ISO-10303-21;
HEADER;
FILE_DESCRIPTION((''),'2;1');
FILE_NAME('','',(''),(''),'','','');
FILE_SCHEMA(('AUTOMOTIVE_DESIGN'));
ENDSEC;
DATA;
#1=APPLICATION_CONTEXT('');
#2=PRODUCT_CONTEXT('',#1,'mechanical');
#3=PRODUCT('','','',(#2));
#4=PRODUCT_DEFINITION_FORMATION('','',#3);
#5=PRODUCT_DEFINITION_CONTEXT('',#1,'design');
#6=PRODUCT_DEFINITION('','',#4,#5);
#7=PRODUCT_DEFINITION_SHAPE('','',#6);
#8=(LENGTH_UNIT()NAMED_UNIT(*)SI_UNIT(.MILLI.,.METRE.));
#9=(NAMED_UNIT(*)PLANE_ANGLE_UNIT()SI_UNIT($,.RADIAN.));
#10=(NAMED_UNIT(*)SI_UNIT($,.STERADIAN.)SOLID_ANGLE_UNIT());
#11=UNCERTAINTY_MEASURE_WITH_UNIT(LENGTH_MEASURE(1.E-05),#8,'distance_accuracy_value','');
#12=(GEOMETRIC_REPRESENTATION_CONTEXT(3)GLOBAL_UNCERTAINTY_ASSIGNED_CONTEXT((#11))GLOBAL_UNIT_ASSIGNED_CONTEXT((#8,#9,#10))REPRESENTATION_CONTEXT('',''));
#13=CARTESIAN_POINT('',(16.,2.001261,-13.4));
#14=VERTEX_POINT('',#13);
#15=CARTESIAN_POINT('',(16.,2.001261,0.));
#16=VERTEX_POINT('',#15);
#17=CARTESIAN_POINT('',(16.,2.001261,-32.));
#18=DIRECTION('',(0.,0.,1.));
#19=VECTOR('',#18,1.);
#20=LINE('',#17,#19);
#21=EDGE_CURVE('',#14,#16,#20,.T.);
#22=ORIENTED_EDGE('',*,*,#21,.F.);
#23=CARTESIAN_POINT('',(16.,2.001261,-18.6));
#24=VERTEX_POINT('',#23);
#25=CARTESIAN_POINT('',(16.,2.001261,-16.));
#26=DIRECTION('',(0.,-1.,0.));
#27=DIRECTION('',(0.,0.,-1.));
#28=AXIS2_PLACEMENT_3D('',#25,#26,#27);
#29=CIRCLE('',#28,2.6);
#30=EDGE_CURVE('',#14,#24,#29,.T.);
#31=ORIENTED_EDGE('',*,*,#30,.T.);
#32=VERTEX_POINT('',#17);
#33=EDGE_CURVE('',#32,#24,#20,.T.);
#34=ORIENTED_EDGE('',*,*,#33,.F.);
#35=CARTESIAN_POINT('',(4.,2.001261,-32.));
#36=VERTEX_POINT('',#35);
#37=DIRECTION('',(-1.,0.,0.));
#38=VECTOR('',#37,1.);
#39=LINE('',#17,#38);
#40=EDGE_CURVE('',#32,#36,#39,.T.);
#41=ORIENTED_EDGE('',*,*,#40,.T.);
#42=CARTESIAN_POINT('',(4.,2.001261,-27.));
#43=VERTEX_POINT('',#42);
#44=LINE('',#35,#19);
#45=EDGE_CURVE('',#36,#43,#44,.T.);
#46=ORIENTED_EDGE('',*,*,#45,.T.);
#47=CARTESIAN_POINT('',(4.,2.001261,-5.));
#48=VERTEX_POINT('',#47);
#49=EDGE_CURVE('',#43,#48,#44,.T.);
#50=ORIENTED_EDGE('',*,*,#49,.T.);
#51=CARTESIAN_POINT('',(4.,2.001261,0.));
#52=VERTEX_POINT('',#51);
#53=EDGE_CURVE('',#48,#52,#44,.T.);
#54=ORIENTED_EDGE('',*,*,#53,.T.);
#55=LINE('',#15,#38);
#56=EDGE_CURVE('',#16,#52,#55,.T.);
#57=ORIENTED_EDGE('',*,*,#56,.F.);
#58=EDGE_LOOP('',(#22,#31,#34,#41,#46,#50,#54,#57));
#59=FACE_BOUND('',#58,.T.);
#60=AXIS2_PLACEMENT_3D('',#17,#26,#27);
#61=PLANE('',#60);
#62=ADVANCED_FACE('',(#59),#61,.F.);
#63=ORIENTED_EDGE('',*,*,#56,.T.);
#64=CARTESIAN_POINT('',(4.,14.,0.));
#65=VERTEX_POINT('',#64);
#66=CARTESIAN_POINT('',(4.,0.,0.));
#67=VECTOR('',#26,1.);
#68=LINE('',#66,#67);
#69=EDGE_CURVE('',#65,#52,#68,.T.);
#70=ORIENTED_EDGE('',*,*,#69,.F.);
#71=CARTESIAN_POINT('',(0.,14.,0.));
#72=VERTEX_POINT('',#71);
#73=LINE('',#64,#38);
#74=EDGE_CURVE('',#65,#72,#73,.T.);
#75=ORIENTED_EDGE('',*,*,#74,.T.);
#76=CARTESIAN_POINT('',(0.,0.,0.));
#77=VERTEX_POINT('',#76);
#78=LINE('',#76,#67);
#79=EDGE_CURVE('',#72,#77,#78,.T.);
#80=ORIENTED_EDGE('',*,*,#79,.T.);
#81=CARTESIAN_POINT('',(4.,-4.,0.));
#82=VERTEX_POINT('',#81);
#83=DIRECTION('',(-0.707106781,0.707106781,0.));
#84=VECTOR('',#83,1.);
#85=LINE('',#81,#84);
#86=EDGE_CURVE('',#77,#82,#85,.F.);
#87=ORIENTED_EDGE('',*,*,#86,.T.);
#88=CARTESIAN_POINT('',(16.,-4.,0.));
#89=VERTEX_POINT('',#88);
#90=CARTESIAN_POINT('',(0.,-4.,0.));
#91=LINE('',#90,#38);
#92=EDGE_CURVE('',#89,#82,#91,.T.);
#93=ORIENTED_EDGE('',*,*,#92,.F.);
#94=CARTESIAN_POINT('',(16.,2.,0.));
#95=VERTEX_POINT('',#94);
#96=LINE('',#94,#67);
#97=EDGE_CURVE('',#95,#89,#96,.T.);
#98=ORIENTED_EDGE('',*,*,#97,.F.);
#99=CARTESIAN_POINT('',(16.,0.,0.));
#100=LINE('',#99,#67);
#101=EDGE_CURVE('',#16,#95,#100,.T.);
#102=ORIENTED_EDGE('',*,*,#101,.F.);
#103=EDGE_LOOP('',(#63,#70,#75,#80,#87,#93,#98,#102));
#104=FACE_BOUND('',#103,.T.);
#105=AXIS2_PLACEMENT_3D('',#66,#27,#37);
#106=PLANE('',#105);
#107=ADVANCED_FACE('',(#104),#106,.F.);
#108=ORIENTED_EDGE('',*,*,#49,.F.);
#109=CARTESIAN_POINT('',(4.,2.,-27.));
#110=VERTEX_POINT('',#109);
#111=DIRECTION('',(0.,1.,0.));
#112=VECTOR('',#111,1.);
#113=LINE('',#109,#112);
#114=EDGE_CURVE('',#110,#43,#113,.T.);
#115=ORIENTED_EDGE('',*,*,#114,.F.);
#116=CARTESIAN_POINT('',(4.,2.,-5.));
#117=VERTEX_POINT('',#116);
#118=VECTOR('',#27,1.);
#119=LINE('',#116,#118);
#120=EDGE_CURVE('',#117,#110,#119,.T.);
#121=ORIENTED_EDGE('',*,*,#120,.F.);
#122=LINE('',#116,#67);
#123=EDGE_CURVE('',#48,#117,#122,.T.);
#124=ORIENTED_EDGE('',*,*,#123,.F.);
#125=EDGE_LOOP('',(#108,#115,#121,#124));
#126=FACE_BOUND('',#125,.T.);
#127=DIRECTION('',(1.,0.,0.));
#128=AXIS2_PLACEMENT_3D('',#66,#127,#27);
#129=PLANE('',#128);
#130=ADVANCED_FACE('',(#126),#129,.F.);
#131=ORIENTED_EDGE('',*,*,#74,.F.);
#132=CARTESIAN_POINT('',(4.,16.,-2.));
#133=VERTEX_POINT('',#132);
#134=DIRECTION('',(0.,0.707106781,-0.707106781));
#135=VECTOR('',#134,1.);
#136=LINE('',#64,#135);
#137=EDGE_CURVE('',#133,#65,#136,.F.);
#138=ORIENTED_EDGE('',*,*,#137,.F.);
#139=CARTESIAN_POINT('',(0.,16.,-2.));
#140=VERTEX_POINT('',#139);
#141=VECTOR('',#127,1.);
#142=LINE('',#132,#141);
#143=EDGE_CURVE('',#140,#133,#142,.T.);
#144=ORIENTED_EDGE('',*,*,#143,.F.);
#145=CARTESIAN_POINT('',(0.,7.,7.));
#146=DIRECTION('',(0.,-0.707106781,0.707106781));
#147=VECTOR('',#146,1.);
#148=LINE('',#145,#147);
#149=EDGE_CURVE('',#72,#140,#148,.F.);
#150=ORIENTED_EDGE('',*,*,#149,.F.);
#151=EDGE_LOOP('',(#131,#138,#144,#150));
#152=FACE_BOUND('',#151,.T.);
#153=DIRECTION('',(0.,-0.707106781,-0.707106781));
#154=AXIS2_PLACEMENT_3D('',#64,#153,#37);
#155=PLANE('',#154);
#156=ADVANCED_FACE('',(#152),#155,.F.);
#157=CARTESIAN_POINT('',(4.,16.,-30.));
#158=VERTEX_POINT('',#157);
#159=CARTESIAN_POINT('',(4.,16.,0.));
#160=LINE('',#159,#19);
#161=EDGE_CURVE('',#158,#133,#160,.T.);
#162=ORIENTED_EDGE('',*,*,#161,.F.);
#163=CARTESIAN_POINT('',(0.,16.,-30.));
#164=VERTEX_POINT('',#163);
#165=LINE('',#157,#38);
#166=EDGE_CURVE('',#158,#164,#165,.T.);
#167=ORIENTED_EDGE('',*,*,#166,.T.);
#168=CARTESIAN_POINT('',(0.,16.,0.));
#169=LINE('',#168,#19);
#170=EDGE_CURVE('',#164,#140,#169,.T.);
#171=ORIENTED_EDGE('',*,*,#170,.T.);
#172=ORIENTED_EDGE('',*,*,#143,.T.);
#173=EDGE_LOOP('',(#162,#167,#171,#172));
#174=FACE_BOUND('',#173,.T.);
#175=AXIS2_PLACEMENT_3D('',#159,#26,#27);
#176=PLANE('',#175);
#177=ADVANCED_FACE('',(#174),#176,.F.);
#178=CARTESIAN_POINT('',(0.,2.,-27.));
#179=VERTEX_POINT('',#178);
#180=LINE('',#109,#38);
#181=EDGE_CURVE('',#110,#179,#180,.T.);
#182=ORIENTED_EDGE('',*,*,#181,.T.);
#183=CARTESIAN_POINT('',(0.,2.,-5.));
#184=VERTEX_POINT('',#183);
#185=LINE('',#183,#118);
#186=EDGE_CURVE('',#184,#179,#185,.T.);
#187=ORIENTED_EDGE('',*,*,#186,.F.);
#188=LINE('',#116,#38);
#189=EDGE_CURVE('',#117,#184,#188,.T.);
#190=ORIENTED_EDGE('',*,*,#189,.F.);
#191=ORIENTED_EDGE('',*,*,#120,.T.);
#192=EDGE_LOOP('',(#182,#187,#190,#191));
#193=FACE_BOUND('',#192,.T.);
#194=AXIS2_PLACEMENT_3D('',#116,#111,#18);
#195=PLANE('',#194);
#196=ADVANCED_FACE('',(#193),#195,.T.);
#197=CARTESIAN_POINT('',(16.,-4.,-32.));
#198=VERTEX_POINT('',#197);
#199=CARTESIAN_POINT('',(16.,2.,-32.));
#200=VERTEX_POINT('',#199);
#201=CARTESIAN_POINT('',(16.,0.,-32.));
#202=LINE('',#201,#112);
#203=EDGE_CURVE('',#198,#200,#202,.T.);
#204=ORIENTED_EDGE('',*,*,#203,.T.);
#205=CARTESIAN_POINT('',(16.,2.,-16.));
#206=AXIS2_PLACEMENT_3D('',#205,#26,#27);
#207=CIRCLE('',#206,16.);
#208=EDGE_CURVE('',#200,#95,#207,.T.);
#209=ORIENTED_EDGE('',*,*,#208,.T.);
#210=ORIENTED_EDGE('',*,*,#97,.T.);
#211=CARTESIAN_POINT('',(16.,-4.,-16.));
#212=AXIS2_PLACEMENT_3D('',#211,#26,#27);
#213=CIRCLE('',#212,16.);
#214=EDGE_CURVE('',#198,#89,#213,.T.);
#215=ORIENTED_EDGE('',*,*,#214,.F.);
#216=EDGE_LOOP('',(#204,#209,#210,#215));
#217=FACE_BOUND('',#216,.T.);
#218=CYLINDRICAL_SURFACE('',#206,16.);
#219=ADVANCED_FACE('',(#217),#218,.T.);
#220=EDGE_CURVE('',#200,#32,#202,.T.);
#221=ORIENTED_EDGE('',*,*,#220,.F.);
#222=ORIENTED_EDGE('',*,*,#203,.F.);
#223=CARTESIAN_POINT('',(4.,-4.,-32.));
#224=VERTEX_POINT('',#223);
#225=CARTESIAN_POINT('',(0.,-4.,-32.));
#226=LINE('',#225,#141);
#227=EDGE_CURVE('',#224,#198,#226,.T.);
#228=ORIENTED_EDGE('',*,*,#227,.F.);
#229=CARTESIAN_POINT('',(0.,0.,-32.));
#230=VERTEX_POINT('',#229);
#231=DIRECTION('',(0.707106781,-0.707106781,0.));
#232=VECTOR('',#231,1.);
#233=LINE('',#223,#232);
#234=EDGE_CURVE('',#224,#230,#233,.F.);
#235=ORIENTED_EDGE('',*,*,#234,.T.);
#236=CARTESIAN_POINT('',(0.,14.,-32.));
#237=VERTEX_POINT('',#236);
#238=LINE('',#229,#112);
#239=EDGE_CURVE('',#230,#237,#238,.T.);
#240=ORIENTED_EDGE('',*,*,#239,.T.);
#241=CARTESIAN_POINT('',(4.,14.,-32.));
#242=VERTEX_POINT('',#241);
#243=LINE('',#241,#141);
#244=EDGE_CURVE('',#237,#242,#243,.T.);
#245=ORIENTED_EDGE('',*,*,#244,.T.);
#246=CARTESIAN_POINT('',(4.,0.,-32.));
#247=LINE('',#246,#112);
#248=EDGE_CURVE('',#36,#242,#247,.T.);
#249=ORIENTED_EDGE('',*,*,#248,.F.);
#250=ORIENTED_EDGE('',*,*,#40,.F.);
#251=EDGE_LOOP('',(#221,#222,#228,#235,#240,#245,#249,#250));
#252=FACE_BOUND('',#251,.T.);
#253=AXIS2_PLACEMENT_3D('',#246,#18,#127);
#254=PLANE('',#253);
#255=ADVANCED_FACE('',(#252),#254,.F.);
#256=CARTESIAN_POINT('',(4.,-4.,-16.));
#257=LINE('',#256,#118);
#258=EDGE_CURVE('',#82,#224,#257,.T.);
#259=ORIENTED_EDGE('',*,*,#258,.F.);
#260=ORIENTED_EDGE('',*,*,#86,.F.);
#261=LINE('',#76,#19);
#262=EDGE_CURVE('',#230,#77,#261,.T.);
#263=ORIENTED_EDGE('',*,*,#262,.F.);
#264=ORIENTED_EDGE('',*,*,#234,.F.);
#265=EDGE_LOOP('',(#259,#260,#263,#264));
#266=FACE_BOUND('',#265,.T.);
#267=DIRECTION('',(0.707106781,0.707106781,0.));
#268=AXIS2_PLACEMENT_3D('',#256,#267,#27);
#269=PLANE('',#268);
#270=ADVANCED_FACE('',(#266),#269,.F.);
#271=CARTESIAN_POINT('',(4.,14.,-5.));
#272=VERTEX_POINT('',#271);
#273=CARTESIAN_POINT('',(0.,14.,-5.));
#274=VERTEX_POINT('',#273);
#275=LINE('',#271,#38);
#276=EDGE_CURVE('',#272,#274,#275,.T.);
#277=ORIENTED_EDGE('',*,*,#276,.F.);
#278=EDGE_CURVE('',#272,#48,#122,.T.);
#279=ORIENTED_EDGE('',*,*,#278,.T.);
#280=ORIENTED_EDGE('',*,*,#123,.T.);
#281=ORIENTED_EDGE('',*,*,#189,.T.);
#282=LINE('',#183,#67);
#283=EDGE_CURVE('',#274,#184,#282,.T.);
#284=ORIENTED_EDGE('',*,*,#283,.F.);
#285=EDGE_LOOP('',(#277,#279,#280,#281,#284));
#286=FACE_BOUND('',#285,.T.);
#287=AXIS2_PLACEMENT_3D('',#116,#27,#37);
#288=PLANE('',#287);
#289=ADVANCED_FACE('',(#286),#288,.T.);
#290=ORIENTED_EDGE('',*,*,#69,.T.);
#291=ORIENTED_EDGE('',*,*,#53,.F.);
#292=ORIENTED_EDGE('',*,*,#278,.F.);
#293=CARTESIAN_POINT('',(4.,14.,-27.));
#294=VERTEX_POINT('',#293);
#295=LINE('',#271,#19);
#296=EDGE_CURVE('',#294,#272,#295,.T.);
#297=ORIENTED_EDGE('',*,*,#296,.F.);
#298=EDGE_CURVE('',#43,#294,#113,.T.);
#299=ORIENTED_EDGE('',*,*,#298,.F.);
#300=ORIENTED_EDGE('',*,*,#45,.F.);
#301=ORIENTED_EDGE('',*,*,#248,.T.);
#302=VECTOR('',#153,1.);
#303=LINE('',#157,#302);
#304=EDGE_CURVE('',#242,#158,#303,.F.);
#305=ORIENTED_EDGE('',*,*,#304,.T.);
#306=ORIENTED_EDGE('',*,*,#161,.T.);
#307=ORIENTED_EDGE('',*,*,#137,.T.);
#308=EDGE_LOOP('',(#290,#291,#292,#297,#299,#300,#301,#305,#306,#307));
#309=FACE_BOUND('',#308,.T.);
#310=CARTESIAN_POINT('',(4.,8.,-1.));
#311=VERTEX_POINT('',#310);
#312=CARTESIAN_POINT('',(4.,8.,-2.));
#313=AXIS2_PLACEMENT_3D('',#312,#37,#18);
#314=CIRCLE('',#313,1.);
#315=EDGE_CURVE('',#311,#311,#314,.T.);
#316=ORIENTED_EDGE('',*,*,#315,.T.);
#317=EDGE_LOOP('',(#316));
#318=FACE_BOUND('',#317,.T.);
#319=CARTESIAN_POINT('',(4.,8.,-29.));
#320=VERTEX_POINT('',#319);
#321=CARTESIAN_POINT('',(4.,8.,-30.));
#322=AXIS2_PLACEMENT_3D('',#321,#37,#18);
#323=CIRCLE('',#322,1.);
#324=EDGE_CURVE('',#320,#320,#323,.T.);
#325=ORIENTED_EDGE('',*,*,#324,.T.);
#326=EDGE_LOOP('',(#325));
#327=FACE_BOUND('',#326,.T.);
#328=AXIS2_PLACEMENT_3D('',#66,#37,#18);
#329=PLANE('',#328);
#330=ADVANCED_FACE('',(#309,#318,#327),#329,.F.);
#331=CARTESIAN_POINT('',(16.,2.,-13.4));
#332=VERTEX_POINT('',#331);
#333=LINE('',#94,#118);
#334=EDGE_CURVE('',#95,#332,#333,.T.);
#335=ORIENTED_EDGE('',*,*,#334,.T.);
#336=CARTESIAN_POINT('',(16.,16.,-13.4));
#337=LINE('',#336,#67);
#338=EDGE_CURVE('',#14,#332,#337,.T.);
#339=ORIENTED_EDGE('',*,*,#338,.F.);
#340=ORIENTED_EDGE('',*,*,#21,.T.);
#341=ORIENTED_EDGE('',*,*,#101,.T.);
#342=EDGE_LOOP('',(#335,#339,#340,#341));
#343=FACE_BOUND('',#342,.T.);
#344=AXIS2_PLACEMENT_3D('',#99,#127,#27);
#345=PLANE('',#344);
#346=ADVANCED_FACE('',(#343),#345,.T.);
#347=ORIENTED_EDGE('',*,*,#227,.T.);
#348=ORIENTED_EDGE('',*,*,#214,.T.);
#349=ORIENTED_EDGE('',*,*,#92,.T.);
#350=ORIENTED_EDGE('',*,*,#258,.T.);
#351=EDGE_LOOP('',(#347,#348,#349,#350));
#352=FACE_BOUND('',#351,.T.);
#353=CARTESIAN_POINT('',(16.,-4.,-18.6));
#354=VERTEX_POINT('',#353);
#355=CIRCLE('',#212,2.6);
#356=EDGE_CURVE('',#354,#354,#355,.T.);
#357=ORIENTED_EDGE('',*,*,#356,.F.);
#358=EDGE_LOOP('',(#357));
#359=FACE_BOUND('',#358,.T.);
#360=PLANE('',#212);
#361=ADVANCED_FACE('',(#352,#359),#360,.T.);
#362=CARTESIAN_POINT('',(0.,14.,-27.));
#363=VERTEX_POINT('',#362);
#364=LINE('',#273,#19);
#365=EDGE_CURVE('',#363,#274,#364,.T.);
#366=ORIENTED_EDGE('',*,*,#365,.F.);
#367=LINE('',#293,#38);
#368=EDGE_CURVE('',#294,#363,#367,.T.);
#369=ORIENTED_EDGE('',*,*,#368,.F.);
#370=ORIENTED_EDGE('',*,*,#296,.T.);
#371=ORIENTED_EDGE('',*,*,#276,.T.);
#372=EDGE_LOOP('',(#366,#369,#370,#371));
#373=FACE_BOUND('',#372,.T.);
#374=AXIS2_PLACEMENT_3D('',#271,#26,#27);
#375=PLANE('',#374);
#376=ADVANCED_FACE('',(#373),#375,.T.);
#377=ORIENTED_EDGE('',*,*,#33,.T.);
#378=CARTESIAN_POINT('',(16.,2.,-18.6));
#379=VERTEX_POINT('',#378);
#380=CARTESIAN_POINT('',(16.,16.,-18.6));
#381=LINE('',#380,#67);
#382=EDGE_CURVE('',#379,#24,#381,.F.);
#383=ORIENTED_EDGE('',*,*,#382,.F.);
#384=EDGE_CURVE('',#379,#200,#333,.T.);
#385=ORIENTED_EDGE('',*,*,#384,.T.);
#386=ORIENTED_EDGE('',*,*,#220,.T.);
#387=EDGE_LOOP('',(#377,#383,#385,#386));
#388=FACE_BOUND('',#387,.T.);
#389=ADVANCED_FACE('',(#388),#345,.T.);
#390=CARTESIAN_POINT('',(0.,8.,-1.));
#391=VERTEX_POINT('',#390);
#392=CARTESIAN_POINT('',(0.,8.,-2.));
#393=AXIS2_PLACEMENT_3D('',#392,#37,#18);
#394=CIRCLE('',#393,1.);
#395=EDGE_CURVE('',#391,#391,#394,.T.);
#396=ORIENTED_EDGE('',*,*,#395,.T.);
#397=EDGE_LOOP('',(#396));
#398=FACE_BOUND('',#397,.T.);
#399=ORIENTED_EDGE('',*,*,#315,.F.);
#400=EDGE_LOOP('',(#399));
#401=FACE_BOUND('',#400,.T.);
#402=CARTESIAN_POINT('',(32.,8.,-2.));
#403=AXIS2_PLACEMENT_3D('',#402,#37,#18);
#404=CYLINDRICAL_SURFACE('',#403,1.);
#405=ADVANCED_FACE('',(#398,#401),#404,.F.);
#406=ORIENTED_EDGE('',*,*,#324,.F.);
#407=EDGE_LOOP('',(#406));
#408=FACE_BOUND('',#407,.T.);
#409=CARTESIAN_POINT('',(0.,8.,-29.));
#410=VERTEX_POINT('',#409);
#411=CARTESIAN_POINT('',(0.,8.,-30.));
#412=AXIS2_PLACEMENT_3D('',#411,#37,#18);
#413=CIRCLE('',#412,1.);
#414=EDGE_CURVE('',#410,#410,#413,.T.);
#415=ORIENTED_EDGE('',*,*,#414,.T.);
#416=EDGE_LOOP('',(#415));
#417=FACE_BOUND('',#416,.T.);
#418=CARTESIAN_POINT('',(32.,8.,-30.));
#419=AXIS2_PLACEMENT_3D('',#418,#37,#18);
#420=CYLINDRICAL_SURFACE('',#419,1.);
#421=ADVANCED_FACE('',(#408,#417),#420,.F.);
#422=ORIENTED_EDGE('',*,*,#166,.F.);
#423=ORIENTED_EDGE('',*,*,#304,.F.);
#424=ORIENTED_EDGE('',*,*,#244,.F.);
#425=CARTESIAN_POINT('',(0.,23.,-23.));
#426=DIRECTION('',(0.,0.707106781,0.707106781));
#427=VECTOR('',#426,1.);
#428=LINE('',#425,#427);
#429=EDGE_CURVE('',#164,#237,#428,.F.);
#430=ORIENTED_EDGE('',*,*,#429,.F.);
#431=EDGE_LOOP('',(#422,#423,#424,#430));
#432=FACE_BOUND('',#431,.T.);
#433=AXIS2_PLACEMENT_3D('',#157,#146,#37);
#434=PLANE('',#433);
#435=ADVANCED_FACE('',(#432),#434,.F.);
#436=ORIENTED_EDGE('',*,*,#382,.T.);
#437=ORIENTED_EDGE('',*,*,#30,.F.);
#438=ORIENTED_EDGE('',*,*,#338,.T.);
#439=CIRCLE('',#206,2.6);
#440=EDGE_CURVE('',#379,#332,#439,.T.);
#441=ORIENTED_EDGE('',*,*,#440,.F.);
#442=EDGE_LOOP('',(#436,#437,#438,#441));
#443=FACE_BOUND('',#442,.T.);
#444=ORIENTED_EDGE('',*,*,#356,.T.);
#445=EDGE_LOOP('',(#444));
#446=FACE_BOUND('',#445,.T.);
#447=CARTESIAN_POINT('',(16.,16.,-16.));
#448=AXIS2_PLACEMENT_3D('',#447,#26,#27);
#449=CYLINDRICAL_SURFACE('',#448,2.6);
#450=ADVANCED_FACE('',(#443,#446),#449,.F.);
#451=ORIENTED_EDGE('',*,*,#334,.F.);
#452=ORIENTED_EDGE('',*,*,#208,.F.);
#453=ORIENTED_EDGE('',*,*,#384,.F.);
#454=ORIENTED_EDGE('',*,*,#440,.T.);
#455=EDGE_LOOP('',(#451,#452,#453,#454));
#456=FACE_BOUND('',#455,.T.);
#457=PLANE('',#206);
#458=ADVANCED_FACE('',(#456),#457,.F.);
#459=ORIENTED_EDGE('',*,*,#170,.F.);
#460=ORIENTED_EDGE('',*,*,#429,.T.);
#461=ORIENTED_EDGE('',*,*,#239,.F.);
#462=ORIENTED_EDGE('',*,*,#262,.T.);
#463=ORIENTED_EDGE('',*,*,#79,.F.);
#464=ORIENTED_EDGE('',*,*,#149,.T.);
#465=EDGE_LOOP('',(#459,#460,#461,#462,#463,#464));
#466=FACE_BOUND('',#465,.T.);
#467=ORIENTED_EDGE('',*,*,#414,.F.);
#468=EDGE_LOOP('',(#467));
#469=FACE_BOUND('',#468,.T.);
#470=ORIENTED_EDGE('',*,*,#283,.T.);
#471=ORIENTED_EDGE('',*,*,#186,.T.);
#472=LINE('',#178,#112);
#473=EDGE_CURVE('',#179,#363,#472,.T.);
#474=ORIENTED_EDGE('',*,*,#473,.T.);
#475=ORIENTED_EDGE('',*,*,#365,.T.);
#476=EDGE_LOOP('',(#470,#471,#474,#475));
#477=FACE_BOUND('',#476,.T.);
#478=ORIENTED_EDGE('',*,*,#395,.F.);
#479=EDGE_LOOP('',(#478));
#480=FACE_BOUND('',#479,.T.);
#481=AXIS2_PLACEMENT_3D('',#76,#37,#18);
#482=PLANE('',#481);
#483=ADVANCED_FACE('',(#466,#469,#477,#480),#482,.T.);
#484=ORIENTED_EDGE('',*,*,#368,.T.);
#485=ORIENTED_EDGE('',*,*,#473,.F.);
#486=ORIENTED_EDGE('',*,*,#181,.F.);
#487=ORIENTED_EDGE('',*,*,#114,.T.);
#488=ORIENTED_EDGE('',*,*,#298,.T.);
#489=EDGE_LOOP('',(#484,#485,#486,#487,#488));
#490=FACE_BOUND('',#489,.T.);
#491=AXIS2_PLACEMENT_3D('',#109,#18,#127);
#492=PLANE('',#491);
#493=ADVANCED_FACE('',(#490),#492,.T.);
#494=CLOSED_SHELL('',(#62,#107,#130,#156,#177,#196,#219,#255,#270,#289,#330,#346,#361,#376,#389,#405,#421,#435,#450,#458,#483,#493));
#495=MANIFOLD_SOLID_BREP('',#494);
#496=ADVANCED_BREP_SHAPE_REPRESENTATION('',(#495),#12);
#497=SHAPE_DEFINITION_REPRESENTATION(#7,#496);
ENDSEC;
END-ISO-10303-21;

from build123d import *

# Parameters (mm, degrees)
SKETCH1_W                = 32
SKETCH1_H                = 16
SKETCH1_W_2              = 22
SKETCH1_H_2              = 12
BOSS_EXTRUDE1_DEPTH      = 4
SKETCH3_W                = 32
SKETCH3_H                = 2.001260946
BOSS_EXTRUDE3_DEPTH      = 12
BOSS_EXTRUDE5_DEPTH      = 4
BOSS_EXTRUDE5_DEPTH_BACK = 2
CHAMFER1_SIZE            = 4
SKETCH8_R                = 2.6
CUT_EXTRUDE2_DEPTH       = 50.477267507
SKETCH9_R                = 1
CUT_EXTRUDE3_DEPTH       = 49
CHAMFER2_SIZE            = 2


with BuildPart() as part:
    # Sketch1 → Boss-Extrude1 (new body)
    with BuildSketch(Plane(origin=(0, 0, 0), x_dir=(0, 0, -1), z_dir=(1, 0, 0))):
        with Locations((16, 8)):
            Rectangle(SKETCH1_W, SKETCH1_H)
        with Locations((16, 8)):
            Rectangle(SKETCH1_W_2, SKETCH1_H_2, mode=Mode.SUBTRACT)
    extrude(amount=BOSS_EXTRUDE1_DEPTH)

    # Sketch3 → Boss-Extrude3 (add)
    with BuildSketch(Plane(origin=(4, 0, 0), x_dir=(0, 0, -1), z_dir=(1, 0, 0))):
        with Locations((16, 1.000630473)):
            Rectangle(SKETCH3_W, SKETCH3_H)
    extrude(amount=BOSS_EXTRUDE3_DEPTH)

    # Sketch7 → Boss-Extrude5 (add, two sides: drawn at the far end of the back side and taken through both)
    with BuildSketch(Plane.XZ.offset(-BOSS_EXTRUDE5_DEPTH_BACK)):
        with BuildLine():
            Line((0, 0), (16, 0))
            ThreePointArc((16, 0), (32, -16), (16, -32))
            Line((16, -32), (0, -32))
            Line((0, -32), (0, 0))
        make_face()
    extrude(amount=BOSS_EXTRUDE5_DEPTH + BOSS_EXTRUDE5_DEPTH_BACK)

    # Chamfer1
    chamfer1_edges = [part.edges().sort_by_distance(p)[0] for p in [
        (0, -4, -16),
    ]]
    chamfer(chamfer1_edges, length=CHAMFER1_SIZE)

    # Sketch8 → Cut-Extrude2 (cut, through all)
    with BuildSketch(Plane.XZ.offset(4)):
        with Locations(Location((16, -16, 0), (0, 0, 270))):
            Circle(SKETCH8_R)
    extrude(amount=-CUT_EXTRUDE2_DEPTH, mode=Mode.SUBTRACT)

    # Sketch9 → Cut-Extrude3 (cut, through all)
    with BuildSketch(Plane.ZY):
        with Locations((-30, 8)):
            Circle(SKETCH9_R)
        with Locations((-2, 8)):
            Circle(SKETCH9_R)
    extrude(amount=-CUT_EXTRUDE3_DEPTH, mode=Mode.SUBTRACT)

    # Chamfer2
    chamfer2_edges = [part.edges().sort_by_distance(p)[0] for p in [
        (2, 16, 0),
        (2, 16, -32),
    ]]
    chamfer(chamfer2_edges, length=CHAMFER2_SIZE)


solid = part.part
